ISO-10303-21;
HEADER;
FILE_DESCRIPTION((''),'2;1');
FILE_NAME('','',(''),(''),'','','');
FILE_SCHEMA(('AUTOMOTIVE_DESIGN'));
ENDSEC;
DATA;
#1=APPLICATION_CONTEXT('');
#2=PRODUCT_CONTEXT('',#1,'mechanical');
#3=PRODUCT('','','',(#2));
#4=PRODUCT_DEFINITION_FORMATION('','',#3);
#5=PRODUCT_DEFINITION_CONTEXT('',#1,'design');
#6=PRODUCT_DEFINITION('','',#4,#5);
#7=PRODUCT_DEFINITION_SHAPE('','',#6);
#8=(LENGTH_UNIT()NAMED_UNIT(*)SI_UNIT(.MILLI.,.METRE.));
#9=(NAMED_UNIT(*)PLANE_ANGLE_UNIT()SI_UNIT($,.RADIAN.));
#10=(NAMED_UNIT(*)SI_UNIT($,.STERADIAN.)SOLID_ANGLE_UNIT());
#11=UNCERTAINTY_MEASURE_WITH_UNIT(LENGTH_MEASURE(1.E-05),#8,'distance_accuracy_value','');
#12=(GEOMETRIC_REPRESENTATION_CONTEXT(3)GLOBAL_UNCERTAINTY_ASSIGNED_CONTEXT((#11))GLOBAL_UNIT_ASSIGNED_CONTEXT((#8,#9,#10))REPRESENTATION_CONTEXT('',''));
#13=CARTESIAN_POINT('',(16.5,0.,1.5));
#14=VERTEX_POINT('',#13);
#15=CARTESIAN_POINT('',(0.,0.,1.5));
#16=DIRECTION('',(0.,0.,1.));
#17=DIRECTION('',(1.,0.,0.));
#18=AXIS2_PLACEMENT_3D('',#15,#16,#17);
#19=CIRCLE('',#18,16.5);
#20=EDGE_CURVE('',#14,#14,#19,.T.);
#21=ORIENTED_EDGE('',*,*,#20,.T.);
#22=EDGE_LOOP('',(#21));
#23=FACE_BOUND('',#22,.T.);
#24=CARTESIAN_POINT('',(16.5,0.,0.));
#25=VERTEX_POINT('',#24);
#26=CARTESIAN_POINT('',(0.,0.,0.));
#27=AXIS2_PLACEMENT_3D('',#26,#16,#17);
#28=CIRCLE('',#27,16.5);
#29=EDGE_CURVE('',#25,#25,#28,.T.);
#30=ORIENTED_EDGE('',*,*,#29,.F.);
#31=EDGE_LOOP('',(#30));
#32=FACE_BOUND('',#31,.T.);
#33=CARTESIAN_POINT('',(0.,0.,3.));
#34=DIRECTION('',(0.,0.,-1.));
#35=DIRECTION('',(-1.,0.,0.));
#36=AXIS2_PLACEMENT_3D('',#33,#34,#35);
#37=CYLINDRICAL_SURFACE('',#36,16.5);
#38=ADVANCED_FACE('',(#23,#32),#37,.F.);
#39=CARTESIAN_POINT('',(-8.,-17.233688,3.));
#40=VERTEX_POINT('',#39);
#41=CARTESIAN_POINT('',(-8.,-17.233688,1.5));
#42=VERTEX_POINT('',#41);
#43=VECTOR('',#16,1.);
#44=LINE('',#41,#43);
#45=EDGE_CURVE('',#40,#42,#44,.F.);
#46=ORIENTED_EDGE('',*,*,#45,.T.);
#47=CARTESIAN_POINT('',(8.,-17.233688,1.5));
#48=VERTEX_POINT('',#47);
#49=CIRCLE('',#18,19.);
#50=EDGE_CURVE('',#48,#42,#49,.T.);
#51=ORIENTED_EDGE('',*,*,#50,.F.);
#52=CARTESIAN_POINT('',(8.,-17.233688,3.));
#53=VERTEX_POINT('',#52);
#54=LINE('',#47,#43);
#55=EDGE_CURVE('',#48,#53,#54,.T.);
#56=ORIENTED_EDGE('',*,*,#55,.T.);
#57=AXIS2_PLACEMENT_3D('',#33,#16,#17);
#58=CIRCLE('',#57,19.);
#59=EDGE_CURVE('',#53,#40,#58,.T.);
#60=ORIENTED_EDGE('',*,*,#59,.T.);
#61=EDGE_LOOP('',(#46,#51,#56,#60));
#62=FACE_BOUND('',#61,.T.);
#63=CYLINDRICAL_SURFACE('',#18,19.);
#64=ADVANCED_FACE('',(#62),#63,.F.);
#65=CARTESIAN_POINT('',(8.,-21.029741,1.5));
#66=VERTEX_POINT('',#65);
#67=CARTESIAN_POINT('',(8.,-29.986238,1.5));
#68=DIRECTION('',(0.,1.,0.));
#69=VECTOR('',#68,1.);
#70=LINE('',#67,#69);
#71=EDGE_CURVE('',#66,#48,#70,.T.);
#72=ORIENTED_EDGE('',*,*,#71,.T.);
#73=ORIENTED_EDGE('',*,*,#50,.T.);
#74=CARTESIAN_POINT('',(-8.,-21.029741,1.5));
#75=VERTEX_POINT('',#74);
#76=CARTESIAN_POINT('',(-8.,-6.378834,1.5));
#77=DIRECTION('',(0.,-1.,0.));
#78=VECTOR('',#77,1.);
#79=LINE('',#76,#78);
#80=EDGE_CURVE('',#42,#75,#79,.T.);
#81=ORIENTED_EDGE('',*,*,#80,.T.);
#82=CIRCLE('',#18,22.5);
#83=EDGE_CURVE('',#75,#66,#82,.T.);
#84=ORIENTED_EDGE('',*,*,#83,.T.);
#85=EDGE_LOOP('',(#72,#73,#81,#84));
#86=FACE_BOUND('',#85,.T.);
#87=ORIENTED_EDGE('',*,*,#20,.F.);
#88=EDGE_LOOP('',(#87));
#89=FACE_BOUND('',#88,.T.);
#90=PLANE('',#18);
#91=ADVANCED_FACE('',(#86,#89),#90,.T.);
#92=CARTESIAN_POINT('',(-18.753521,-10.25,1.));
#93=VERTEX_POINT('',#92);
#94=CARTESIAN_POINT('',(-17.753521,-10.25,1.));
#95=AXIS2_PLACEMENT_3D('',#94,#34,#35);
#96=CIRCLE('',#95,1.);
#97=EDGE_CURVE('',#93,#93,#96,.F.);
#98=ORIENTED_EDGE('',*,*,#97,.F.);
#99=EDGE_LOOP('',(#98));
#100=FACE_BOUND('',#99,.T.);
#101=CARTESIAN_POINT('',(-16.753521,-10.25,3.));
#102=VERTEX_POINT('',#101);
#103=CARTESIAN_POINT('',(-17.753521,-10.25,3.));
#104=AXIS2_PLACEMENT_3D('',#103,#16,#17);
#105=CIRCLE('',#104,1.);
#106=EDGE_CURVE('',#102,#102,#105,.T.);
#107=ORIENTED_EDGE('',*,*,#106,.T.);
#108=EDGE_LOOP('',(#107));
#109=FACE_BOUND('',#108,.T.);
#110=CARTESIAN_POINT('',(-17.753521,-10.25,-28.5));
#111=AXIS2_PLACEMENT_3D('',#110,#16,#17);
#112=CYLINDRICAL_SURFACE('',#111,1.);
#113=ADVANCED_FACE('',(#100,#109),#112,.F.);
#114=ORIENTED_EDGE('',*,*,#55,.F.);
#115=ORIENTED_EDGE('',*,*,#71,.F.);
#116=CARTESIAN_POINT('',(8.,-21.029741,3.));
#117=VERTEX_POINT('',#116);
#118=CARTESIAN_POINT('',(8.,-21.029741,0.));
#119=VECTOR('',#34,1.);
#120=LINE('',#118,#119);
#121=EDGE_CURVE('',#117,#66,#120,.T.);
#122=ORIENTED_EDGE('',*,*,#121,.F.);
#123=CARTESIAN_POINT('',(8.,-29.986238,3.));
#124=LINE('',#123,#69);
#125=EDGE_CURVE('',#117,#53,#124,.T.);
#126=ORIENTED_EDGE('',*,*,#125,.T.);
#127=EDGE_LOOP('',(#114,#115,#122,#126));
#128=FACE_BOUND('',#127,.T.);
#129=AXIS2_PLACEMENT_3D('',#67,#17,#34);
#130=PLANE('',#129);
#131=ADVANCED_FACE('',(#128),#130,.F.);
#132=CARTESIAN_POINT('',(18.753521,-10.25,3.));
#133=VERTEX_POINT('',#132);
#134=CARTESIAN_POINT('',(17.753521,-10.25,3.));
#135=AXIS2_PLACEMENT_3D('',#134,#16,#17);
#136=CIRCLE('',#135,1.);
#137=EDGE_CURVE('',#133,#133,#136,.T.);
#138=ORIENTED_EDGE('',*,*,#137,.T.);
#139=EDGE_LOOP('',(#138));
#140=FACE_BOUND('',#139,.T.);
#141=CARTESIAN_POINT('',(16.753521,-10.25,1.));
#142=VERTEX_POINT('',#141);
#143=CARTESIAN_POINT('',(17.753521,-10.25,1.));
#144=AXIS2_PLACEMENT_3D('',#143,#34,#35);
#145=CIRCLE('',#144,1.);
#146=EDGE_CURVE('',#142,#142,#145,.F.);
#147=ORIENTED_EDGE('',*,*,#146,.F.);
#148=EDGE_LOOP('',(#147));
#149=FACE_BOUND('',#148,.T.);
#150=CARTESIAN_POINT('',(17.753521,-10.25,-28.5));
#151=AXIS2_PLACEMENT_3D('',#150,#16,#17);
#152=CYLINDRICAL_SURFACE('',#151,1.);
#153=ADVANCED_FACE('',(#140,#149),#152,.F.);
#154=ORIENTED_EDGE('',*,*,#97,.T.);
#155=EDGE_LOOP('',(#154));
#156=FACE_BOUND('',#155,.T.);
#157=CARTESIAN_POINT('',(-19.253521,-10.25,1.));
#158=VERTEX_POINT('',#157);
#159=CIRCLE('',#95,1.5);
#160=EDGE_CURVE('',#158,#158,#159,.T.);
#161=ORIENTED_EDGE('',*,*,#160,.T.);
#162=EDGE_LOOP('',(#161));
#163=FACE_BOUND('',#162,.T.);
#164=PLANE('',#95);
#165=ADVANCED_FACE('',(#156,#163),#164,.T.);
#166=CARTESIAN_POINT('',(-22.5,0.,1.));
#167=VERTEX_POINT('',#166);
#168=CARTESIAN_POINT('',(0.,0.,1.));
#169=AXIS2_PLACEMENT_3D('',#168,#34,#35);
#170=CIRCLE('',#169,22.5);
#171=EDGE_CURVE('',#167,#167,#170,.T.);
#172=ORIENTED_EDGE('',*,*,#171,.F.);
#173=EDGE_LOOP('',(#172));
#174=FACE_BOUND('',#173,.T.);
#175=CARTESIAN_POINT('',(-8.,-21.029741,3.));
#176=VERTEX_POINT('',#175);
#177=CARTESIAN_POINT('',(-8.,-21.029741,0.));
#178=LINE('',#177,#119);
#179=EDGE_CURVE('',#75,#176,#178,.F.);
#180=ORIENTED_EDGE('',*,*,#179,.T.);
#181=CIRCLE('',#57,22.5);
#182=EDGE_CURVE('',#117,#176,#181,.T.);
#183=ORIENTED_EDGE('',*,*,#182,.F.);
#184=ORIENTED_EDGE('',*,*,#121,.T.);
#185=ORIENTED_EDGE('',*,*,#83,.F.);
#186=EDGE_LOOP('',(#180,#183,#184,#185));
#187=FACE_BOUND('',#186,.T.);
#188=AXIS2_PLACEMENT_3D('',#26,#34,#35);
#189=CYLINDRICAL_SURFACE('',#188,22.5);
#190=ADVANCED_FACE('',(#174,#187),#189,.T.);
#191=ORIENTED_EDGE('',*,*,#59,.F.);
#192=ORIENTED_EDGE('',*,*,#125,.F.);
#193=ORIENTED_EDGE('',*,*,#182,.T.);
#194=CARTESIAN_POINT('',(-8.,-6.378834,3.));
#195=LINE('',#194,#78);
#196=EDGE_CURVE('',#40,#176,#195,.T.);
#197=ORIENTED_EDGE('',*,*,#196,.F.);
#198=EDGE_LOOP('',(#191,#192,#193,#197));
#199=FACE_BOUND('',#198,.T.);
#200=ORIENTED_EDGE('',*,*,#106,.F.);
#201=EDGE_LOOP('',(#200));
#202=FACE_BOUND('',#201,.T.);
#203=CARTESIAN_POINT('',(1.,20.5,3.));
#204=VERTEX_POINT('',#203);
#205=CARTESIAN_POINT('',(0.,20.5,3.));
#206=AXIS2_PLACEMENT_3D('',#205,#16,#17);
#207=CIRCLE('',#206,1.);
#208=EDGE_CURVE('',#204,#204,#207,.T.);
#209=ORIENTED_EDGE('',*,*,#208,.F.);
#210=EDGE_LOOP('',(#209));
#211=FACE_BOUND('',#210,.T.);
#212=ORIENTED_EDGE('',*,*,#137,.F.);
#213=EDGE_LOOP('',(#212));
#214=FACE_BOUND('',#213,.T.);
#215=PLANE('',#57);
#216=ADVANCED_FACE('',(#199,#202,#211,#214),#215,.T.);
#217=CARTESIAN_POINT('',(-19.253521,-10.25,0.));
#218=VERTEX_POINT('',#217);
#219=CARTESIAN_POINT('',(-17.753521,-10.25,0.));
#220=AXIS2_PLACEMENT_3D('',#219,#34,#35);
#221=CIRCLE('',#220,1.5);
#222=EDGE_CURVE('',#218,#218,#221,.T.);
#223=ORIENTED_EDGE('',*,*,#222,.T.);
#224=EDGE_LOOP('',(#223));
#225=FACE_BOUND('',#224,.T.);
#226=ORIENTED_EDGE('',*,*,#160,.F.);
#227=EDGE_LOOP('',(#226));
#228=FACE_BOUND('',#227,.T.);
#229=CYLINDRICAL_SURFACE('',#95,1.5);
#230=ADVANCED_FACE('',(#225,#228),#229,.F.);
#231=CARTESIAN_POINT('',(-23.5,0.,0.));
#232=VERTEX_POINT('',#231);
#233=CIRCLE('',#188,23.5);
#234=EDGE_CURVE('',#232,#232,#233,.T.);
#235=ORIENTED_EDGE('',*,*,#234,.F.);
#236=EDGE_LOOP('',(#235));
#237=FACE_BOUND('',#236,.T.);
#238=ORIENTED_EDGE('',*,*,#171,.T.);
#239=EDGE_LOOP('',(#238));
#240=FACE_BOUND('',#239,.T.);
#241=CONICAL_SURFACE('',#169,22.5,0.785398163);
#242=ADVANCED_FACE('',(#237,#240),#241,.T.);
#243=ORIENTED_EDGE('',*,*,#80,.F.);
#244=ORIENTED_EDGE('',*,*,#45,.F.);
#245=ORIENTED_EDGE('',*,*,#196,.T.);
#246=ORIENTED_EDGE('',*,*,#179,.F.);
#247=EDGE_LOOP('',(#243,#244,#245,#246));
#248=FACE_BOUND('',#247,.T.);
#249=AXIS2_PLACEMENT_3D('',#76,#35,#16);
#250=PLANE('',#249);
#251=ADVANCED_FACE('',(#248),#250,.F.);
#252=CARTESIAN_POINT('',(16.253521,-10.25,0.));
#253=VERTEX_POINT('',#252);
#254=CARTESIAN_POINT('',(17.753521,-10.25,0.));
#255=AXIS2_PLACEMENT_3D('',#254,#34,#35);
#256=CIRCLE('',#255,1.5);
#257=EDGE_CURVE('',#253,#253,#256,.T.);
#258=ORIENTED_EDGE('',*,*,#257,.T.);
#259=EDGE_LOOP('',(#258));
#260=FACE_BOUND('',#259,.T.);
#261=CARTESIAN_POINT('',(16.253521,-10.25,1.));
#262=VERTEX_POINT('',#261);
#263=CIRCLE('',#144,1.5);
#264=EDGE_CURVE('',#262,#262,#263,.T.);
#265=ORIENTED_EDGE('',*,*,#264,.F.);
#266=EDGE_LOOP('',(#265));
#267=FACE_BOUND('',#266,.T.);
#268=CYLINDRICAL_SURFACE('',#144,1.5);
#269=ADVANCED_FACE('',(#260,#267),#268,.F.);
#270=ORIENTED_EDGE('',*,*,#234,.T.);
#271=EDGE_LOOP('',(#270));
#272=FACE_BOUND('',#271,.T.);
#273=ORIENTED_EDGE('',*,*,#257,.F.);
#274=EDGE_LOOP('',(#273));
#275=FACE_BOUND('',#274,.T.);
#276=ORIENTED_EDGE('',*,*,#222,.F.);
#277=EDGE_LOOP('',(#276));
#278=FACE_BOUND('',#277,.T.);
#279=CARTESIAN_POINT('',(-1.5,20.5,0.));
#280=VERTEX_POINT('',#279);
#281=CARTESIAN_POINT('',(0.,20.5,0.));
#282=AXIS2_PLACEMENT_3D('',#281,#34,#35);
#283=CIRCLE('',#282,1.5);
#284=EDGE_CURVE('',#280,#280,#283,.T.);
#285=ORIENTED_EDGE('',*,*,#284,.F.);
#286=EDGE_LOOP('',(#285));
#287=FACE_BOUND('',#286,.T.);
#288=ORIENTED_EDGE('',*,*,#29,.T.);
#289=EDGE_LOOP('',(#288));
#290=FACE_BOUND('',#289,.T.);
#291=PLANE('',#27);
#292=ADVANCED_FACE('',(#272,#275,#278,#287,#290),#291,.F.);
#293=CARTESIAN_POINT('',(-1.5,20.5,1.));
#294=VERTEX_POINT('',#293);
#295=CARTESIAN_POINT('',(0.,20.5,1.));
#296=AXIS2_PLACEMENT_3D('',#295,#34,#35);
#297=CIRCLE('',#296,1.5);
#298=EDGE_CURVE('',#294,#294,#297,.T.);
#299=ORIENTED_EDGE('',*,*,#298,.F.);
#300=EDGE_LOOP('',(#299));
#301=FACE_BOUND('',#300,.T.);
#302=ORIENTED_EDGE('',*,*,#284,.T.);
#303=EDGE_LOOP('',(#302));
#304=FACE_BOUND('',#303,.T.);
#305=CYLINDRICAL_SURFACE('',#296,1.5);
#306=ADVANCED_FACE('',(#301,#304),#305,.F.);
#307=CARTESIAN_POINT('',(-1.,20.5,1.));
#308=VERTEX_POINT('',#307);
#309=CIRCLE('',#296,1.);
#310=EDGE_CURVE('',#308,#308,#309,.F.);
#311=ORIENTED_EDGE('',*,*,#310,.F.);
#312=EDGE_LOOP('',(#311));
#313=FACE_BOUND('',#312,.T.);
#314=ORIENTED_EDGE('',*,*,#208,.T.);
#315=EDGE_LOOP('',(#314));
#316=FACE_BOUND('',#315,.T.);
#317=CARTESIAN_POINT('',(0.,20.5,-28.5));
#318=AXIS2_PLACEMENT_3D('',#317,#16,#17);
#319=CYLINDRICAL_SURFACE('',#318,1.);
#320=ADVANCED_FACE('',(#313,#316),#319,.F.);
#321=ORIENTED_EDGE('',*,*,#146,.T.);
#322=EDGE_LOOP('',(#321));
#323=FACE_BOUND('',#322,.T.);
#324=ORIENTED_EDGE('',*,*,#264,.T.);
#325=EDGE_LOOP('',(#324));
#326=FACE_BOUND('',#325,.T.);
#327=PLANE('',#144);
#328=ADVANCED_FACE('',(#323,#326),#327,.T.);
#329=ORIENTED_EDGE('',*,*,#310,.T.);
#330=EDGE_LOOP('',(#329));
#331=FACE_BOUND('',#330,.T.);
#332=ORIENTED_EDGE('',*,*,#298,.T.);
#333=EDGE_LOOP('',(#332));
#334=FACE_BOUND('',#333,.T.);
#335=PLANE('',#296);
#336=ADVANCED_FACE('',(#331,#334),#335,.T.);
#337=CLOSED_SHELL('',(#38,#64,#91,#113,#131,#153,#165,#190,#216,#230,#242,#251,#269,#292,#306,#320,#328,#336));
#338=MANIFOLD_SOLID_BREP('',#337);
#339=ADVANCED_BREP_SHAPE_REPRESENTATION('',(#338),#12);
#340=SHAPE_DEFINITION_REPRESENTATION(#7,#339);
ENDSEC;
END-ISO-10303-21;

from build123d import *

# Parameters (mm, degrees)
SKETCH_1_R          = 25
SKETCH_1_R_2        = 16.5
EXTRUDE_1_DEPTH     = 3
SKETCH_2_R          = 19
CUT_EXTRUDE_1_DEPTH = 1.5
CUT_EXTRUDE_2_DEPTH = 1.5
SKETCH_4_R          = 1
CUT_EXTRUDE_3_DEPTH = 31.5
SKETCH_6_R          = 1.5
CUT_EXTRUDE_4_DEPTH = 1


with BuildPart() as part:
    # 草图1 → 凸台-拉伸1 (new body)
    with BuildSketch(Plane.XY):
        Circle(SKETCH_1_R)
        Circle(SKETCH_1_R_2, mode=Mode.SUBTRACT)
    extrude(amount=EXTRUDE_1_DEPTH)

    # 草图2 → 切除-拉伸1 (cut)
    with BuildSketch(Plane.XY.offset(3)):
        Circle(SKETCH_2_R)
    extrude(amount=-CUT_EXTRUDE_1_DEPTH, mode=Mode.SUBTRACT)

    # 草图3 → 切除-拉伸2 (cut)
    with BuildSketch(Plane.XY.offset(3)):
        Polygon((0, -29.98623759), (8, -29.98623759), (8, -6.378834071), (-8, -6.378834071), (-8, -29.98623759), align=None)
    extrude(amount=-CUT_EXTRUDE_2_DEPTH, mode=Mode.SUBTRACT)

    # 草图4 → 切除-拉伸3 (cut)
    with BuildSketch(Plane.XY.offset(3)):
        with Locations((0, 20.5)):
            Circle(SKETCH_4_R)
        with Locations((17.753520778, -10.25)):
            Circle(SKETCH_4_R)
        with Locations((-17.753520778, -10.25)):
            Circle(SKETCH_4_R)
    extrude(amount=-CUT_EXTRUDE_3_DEPTH, mode=Mode.SUBTRACT)

    # 草图6 → 切除-拉伸4 (cut)
    with BuildSketch(Plane(origin=(0, 0, 0), x_dir=(-1, 0, 0), z_dir=(0, 0, -1))):
        with Locations((0, 20.5)):
            Circle(SKETCH_6_R)
        with Locations((17.753520778, -10.25)):
            Circle(SKETCH_6_R)
        with Locations((-17.753520778, -10.25)):
            Circle(SKETCH_6_R)
    extrude(amount=-CUT_EXTRUDE_4_DEPTH, mode=Mode.SUBTRACT)

    # 草图8 → 切除-旋转1 (revolve, cut)
    with BuildSketch(Plane(origin=(0, 0, 0), x_dir=(1, 0, 0), z_dir=(0, 1, 0))):
        Polygon((-22.5, -1), (-22.5, -3), (-22.5, -4.221155356), (-26.330731104, -4.221155356), (-26.330731104, -3), (-26.330731104, 1.037990449), (-24, 1.037990449), (-23.5, 1.037990449), (-23.5, 0), align=None)
    revolve(axis=Axis((0, 0, 0), (0, 0, 1)), mode=Mode.SUBTRACT)


solid = part.part
